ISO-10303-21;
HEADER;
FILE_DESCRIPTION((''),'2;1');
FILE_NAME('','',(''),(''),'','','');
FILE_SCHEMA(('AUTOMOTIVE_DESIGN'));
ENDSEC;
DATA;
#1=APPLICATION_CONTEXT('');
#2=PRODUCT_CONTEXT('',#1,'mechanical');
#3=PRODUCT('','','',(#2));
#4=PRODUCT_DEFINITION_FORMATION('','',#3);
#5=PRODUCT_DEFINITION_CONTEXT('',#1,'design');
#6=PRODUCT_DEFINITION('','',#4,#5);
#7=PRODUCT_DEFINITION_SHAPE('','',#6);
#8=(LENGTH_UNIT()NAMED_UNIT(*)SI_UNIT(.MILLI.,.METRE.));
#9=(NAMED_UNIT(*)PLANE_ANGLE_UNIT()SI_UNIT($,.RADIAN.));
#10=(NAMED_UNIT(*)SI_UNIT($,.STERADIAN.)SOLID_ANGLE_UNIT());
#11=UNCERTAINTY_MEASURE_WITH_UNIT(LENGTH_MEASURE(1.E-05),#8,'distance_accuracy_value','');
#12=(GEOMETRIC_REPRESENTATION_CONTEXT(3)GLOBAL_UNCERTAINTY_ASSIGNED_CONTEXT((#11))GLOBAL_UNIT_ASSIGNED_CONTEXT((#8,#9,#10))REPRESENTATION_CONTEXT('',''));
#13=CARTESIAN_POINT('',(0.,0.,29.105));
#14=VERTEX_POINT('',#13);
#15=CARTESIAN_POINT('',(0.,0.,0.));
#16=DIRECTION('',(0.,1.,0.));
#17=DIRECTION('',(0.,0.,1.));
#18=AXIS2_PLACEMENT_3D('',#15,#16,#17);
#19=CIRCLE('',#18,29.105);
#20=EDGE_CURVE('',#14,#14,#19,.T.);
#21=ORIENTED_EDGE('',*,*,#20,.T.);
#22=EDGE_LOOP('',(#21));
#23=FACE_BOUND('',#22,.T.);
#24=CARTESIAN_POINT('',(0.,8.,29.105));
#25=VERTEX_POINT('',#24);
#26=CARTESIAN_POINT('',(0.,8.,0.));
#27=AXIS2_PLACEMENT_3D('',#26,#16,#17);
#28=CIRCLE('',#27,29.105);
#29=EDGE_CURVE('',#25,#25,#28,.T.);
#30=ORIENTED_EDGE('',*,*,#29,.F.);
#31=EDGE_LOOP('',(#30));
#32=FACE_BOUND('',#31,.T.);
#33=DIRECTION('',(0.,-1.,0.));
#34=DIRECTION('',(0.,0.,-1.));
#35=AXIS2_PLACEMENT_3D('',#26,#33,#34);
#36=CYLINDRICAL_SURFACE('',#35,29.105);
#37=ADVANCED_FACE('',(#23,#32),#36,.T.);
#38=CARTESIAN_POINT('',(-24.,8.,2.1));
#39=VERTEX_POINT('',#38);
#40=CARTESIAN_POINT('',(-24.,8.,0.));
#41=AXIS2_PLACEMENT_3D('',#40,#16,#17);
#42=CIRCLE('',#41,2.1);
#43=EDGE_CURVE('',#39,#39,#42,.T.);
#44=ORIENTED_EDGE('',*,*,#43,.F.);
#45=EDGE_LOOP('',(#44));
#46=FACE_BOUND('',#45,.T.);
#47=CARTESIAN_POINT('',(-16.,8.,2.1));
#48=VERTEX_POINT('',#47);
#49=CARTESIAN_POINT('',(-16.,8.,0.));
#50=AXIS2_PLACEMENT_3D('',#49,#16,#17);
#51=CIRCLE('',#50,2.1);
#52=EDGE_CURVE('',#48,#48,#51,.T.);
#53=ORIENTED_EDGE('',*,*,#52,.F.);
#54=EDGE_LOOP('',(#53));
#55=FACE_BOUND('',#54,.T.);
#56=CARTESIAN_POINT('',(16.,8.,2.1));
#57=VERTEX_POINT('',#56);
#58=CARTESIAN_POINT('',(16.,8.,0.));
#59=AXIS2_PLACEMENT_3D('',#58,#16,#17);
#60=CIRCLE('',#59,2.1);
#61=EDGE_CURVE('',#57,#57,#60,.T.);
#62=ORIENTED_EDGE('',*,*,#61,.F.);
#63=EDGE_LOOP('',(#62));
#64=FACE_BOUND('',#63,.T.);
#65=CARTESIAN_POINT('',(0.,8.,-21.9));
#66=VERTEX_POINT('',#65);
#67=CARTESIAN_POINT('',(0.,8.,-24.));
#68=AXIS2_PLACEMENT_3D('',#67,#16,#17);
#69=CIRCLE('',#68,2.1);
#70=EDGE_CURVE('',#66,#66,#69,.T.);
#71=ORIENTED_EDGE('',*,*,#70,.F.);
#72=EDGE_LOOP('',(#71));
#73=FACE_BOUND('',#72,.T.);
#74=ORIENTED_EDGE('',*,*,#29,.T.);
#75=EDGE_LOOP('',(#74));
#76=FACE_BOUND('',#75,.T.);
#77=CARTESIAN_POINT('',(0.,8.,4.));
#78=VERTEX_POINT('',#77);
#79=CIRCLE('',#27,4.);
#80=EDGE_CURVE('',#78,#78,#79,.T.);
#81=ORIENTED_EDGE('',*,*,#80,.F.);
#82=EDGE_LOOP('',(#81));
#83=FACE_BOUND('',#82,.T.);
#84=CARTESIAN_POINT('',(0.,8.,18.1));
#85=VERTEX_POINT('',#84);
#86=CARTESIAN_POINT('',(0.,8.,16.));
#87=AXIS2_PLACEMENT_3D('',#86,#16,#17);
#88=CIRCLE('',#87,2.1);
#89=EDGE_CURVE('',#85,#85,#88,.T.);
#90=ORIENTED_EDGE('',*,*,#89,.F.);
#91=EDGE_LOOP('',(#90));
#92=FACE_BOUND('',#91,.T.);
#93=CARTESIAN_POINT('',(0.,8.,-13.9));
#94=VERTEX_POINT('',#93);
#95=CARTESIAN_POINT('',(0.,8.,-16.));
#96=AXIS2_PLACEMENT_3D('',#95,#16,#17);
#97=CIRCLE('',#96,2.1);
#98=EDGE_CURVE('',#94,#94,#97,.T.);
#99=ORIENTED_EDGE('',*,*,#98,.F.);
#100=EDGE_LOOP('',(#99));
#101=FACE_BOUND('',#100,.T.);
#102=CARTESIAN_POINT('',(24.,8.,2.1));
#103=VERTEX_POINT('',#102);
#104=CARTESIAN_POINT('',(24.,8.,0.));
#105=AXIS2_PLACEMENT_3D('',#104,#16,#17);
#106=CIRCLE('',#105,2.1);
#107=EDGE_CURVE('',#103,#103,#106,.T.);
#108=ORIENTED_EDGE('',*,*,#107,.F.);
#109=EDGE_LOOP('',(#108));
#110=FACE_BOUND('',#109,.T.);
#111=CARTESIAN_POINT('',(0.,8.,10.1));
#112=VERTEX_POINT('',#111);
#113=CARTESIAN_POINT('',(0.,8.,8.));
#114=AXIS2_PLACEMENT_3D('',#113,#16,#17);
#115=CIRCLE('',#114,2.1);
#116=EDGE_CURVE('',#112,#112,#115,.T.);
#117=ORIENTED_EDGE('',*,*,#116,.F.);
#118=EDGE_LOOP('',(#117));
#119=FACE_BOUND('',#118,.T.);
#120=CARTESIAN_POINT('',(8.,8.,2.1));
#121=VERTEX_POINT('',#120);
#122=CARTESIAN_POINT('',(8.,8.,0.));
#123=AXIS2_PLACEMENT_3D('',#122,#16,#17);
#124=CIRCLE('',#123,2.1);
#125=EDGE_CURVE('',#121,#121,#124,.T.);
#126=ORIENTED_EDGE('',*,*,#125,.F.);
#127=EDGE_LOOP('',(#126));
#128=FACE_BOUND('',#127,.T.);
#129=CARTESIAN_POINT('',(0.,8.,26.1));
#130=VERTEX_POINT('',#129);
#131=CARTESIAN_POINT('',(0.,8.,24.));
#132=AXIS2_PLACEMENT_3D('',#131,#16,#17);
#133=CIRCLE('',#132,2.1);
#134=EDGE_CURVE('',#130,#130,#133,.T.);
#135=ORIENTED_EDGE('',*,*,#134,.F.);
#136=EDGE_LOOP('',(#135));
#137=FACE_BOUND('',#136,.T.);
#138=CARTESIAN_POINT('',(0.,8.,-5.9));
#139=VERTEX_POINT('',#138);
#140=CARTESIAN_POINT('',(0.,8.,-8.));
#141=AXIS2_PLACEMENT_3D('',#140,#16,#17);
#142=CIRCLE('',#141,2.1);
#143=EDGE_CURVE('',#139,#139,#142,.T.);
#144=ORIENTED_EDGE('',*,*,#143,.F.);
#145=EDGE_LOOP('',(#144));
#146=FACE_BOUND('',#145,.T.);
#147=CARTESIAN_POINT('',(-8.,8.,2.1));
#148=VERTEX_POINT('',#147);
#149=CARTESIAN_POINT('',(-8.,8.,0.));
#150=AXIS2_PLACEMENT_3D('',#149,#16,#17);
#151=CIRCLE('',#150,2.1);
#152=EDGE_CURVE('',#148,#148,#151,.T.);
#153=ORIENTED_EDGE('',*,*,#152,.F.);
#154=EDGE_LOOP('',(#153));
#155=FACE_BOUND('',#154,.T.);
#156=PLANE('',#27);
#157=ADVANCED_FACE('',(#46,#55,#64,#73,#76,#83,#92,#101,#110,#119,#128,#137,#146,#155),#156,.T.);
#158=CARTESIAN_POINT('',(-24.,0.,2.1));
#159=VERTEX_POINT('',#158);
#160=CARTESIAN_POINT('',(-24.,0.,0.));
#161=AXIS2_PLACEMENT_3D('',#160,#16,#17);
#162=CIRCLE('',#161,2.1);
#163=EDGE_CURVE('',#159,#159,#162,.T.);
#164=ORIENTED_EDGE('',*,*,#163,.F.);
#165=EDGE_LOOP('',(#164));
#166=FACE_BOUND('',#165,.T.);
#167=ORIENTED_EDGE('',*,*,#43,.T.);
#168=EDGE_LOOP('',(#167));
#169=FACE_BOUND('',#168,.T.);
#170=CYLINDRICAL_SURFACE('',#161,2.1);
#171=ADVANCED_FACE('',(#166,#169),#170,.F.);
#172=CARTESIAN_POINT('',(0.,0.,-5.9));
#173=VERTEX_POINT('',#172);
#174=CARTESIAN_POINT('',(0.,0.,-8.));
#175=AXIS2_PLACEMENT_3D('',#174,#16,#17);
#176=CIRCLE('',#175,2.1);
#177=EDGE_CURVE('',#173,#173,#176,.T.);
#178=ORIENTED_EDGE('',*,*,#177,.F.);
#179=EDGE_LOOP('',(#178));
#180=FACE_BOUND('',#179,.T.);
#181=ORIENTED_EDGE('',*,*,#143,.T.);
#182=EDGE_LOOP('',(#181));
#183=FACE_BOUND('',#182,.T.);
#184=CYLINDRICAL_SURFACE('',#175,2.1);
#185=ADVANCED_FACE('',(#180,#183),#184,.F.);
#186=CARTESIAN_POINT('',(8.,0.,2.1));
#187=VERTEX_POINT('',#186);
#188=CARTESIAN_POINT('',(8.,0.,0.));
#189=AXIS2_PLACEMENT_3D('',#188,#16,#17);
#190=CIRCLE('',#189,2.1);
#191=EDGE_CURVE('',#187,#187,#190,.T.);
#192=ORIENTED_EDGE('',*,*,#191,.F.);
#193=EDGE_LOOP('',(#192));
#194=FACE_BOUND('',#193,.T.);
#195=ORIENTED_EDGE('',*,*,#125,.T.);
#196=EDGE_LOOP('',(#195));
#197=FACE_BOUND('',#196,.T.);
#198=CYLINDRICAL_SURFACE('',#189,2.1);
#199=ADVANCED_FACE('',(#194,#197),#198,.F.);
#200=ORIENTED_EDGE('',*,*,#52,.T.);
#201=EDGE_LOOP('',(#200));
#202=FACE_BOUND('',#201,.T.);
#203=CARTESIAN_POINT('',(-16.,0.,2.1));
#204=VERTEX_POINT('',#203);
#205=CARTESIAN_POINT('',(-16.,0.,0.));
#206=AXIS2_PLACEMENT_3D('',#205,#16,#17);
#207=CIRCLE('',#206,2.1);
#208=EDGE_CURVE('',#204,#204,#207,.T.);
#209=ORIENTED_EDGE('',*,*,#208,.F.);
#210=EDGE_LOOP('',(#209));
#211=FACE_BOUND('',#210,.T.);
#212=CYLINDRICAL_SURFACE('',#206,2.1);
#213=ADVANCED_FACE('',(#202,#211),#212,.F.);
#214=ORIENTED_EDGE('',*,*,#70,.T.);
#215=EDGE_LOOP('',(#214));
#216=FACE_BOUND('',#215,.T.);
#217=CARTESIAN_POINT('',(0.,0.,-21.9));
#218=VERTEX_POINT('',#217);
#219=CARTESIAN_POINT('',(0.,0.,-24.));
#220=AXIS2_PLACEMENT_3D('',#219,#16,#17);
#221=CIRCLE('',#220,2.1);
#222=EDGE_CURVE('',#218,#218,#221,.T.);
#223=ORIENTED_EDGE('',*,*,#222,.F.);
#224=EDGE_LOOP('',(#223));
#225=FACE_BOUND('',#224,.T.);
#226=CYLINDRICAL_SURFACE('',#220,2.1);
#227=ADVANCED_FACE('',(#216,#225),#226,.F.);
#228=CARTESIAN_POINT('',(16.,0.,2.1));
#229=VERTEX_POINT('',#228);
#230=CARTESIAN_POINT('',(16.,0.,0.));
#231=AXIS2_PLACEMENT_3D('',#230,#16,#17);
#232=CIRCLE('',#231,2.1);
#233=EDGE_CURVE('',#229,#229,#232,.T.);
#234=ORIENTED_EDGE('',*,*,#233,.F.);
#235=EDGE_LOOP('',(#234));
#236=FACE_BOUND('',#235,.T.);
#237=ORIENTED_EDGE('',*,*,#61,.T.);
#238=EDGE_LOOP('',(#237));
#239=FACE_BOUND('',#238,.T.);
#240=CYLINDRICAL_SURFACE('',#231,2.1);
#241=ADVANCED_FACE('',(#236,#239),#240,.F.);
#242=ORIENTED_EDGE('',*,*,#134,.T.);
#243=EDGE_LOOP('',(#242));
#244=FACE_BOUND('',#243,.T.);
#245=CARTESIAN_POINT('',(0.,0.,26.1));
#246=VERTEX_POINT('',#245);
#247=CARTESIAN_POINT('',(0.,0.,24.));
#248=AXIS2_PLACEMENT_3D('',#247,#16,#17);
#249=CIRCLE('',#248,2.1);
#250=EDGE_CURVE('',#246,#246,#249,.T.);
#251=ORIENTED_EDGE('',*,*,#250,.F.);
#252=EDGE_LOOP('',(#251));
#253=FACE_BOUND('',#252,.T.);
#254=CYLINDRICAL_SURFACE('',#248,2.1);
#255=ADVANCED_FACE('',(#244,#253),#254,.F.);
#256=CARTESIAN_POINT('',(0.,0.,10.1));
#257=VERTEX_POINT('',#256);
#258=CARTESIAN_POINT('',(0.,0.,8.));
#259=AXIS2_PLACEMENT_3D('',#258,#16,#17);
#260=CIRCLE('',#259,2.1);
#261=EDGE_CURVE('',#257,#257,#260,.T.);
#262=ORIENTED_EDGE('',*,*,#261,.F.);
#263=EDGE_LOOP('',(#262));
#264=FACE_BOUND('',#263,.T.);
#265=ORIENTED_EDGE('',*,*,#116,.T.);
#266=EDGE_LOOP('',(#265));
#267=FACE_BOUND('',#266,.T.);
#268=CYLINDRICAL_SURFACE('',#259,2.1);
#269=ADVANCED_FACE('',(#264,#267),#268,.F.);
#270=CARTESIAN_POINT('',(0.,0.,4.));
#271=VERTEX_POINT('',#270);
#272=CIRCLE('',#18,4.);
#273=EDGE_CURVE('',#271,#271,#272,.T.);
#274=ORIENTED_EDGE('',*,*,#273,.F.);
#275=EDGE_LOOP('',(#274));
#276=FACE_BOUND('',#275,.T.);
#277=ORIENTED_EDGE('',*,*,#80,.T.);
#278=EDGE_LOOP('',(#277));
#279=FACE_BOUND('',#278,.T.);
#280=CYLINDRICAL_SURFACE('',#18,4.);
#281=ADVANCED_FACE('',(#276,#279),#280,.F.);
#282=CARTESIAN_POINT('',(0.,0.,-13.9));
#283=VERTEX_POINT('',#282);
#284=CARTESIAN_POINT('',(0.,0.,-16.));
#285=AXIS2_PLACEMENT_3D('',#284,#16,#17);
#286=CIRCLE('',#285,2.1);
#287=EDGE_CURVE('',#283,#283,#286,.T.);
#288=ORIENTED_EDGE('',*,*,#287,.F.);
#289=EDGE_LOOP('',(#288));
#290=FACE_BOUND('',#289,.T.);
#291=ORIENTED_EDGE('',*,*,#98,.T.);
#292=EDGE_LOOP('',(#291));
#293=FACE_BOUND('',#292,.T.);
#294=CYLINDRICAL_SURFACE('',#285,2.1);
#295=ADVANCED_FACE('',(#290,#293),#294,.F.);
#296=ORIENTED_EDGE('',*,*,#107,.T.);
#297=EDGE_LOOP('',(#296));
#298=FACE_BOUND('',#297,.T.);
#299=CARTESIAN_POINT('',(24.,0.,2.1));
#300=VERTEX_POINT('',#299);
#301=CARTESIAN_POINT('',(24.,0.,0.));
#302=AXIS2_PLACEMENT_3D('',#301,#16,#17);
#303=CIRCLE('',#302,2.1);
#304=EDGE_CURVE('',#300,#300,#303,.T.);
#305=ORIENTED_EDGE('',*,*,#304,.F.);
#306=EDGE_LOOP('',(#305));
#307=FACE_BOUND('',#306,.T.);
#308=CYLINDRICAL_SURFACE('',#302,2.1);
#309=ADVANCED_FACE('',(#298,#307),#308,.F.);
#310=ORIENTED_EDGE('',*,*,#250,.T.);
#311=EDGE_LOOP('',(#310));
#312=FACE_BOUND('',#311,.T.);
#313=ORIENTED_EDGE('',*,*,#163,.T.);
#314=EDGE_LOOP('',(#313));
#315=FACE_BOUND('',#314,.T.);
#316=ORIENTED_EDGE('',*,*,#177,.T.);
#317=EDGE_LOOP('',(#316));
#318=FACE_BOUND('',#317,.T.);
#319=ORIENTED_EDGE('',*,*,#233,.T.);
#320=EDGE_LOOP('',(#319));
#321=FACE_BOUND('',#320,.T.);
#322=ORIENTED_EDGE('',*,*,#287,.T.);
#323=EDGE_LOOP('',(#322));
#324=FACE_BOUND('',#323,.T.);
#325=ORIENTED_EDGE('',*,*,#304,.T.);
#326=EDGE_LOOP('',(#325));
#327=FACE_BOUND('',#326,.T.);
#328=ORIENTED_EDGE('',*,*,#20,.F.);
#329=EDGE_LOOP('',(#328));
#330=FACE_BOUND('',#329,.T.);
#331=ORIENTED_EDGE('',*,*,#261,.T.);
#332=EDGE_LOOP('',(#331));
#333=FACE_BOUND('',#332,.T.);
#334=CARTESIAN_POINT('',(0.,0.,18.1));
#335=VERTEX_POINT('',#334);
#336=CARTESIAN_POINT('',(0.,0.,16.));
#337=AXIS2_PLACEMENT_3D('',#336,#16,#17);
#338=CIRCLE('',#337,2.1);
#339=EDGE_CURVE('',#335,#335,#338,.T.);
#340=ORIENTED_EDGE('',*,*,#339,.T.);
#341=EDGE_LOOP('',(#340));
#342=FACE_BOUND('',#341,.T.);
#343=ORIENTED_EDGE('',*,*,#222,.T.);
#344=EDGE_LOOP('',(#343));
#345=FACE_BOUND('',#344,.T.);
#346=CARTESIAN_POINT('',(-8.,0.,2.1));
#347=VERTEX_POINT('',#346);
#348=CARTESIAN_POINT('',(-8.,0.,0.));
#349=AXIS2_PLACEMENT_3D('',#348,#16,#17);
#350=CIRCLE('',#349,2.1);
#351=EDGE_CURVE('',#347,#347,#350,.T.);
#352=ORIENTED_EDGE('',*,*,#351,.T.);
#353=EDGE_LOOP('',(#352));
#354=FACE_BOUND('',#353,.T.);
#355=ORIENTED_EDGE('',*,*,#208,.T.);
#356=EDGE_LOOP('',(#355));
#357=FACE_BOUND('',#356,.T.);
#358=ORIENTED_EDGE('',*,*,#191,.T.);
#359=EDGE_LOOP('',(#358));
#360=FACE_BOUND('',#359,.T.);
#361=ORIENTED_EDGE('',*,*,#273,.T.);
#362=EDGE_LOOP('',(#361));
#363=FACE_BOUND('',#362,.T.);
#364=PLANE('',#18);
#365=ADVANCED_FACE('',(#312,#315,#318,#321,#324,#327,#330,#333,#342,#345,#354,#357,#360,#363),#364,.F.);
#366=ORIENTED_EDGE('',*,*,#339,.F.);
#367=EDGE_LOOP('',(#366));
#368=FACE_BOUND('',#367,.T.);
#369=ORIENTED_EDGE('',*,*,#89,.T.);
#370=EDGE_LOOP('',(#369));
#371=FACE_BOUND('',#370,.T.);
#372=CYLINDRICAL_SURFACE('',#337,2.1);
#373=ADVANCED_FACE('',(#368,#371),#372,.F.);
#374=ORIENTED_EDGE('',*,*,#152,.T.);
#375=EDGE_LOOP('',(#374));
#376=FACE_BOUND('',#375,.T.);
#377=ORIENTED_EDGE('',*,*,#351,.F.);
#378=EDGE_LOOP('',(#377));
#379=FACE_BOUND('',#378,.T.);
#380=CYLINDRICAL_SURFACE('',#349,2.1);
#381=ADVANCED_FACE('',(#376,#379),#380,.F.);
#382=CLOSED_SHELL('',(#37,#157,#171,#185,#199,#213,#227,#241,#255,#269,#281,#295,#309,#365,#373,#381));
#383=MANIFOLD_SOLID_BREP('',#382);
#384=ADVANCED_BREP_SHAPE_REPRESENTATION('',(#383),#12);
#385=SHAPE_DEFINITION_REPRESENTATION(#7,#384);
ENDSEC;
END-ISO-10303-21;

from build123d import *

# Parameters (mm, degrees)
SKETCH_1_R          = 29.105
EXTRUDE_1_DEPTH     = 8
SKETCH_2_R          = 4
CUT_EXTRUDE_1_DEPTH = 8
SKETCH_3_R          = 2.1
CUT_EXTRUDE_2_DEPTH = 8


with BuildPart() as part:
    # 스케치1 → 보스-돌출1 (new body)
    with BuildSketch(Plane(origin=(0, 0, 0), x_dir=(1, 0, 0), z_dir=(0, 1, 0))):
        Circle(SKETCH_1_R)
    extrude(amount=EXTRUDE_1_DEPTH)

    # 스케치2 → 컷-돌출1 (cut)
    with BuildSketch(Plane(origin=(0, 8, 0), x_dir=(1, 0, 0), z_dir=(0, 1, 0))):
        Circle(SKETCH_2_R)
    extrude(amount=-CUT_EXTRUDE_1_DEPTH, mode=Mode.SUBTRACT)

    # 스케치3 → 컷-돌출2 (cut)
    with BuildSketch(Plane(origin=(0, 8, 0), x_dir=(1, 0, 0), z_dir=(0, 1, 0))):
        with Locations((0, 8)):
            Circle(SKETCH_3_R)
        with Locations((0, 16)):
            Circle(SKETCH_3_R)
        with Locations((0, 24)):
            Circle(SKETCH_3_R)
        with Locations((-8, 0)):
            Circle(SKETCH_3_R)
        with Locations((-16, 0)):
            Circle(SKETCH_3_R)
        with Locations((-24, 0)):
            Circle(SKETCH_3_R)
        with Locations((0, -8)):
            Circle(SKETCH_3_R)
        with Locations((0, -16)):
            Circle(SKETCH_3_R)
        with Locations((0, -24)):
            Circle(SKETCH_3_R)
        with Locations((8, 0)):
            Circle(SKETCH_3_R)
        with Locations((16, 0)):
            Circle(SKETCH_3_R)
        with Locations((24, 0)):
            Circle(SKETCH_3_R)
    extrude(amount=-CUT_EXTRUDE_2_DEPTH, mode=Mode.SUBTRACT)


solid = part.part
